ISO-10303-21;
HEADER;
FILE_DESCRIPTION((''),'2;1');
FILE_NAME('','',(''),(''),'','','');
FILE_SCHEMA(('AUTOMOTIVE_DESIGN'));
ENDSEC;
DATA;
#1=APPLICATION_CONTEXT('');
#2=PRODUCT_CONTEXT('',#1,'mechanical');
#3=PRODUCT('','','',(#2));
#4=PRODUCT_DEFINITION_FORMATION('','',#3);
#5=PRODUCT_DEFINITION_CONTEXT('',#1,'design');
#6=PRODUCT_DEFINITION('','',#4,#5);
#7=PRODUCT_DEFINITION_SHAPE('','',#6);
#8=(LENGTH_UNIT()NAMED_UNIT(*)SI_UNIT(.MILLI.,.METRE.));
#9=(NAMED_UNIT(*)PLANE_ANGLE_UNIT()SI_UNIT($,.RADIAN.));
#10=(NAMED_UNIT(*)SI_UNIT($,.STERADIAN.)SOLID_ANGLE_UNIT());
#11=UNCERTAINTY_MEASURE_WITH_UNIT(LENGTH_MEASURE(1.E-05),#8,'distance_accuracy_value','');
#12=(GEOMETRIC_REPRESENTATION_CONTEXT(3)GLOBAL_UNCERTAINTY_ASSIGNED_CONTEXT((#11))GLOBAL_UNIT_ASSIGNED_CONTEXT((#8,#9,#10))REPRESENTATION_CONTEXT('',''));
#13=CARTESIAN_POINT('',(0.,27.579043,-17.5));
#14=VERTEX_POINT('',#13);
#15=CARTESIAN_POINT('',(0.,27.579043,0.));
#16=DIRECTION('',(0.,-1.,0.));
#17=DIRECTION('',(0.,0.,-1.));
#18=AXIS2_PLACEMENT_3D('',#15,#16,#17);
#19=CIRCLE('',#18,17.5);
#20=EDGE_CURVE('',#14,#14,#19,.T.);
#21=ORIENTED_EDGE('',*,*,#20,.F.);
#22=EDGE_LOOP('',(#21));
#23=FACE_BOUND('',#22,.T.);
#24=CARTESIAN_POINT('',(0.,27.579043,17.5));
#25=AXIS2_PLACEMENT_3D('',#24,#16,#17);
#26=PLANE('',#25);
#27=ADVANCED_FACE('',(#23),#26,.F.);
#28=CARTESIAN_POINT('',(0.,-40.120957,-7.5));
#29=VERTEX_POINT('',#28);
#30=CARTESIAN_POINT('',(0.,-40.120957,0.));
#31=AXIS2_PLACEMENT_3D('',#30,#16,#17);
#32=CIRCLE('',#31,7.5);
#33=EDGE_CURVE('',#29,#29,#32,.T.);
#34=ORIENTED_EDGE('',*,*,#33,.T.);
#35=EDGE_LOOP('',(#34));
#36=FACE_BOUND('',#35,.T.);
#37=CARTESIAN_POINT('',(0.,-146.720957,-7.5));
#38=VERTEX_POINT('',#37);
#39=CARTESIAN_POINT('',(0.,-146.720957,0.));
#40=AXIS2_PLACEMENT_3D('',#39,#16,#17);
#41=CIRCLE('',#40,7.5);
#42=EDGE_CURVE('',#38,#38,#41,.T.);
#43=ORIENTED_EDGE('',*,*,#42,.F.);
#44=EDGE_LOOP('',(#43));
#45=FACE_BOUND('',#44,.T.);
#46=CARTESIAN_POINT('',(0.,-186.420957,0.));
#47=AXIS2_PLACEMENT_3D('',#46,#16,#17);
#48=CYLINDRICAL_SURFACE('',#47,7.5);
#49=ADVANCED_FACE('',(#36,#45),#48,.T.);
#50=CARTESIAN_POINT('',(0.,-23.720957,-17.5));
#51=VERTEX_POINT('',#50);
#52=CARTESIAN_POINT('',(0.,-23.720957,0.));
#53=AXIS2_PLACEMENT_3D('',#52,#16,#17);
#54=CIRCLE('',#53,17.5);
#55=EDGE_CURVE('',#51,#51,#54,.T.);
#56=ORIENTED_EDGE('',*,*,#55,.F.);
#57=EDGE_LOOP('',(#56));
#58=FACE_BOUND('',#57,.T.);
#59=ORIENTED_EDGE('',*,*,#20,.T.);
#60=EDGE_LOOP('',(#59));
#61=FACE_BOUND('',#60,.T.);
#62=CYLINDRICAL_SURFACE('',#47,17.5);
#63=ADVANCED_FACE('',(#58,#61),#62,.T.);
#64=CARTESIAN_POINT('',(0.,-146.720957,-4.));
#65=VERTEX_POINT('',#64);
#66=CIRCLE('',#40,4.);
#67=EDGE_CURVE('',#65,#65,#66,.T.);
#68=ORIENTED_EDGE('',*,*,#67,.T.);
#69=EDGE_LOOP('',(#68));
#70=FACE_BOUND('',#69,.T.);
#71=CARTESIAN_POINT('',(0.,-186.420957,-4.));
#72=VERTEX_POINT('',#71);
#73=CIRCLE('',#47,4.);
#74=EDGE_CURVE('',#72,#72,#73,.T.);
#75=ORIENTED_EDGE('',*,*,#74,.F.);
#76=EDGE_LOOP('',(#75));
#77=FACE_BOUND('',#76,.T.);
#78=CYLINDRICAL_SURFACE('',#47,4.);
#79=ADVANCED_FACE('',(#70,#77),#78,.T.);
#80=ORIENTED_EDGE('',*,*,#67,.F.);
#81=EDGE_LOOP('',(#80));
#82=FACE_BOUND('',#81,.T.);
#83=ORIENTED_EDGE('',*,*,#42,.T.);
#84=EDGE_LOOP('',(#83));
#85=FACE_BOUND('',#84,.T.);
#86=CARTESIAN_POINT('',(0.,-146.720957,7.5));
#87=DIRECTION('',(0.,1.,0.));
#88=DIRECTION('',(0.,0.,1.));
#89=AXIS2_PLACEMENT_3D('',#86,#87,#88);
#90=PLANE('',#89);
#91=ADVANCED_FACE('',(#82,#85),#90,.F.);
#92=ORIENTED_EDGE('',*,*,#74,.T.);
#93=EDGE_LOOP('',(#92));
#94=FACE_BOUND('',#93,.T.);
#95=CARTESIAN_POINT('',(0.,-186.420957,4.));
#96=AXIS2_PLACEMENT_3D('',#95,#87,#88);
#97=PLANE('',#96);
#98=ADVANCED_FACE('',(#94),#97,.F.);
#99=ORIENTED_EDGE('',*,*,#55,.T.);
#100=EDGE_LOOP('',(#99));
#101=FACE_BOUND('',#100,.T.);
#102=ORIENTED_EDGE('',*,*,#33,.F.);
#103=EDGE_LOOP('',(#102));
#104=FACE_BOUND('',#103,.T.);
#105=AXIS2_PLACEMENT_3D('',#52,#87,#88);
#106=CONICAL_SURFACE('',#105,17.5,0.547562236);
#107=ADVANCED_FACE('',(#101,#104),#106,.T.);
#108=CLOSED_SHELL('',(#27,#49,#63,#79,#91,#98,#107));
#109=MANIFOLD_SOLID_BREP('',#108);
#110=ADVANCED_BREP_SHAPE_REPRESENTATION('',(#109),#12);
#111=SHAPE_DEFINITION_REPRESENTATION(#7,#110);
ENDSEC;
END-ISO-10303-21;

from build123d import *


with BuildPart() as part:
    # Croquis1 → Revolución1 (revolve)
    with BuildSketch(Plane.YZ, mode=Mode.PRIVATE) as revoluci_n1_sk:
        Polygon((-146.720957083, 7.5), (-146.720957083, 4), (-186.420957083, 4), (-186.420957083, 0), (27.579042917, 0), (27.579042917, 17.5), (-23.720957083, 17.5), (-40.120957083, 7.5), align=None)
    revolve(revoluci_n1_sk.sketch.rotate(Axis((0, -186.420957083, 0), (0, 1, 0)), 180), axis=Axis((0, -186.420957083, 0), (0, 1, 0)))


solid = part.part
